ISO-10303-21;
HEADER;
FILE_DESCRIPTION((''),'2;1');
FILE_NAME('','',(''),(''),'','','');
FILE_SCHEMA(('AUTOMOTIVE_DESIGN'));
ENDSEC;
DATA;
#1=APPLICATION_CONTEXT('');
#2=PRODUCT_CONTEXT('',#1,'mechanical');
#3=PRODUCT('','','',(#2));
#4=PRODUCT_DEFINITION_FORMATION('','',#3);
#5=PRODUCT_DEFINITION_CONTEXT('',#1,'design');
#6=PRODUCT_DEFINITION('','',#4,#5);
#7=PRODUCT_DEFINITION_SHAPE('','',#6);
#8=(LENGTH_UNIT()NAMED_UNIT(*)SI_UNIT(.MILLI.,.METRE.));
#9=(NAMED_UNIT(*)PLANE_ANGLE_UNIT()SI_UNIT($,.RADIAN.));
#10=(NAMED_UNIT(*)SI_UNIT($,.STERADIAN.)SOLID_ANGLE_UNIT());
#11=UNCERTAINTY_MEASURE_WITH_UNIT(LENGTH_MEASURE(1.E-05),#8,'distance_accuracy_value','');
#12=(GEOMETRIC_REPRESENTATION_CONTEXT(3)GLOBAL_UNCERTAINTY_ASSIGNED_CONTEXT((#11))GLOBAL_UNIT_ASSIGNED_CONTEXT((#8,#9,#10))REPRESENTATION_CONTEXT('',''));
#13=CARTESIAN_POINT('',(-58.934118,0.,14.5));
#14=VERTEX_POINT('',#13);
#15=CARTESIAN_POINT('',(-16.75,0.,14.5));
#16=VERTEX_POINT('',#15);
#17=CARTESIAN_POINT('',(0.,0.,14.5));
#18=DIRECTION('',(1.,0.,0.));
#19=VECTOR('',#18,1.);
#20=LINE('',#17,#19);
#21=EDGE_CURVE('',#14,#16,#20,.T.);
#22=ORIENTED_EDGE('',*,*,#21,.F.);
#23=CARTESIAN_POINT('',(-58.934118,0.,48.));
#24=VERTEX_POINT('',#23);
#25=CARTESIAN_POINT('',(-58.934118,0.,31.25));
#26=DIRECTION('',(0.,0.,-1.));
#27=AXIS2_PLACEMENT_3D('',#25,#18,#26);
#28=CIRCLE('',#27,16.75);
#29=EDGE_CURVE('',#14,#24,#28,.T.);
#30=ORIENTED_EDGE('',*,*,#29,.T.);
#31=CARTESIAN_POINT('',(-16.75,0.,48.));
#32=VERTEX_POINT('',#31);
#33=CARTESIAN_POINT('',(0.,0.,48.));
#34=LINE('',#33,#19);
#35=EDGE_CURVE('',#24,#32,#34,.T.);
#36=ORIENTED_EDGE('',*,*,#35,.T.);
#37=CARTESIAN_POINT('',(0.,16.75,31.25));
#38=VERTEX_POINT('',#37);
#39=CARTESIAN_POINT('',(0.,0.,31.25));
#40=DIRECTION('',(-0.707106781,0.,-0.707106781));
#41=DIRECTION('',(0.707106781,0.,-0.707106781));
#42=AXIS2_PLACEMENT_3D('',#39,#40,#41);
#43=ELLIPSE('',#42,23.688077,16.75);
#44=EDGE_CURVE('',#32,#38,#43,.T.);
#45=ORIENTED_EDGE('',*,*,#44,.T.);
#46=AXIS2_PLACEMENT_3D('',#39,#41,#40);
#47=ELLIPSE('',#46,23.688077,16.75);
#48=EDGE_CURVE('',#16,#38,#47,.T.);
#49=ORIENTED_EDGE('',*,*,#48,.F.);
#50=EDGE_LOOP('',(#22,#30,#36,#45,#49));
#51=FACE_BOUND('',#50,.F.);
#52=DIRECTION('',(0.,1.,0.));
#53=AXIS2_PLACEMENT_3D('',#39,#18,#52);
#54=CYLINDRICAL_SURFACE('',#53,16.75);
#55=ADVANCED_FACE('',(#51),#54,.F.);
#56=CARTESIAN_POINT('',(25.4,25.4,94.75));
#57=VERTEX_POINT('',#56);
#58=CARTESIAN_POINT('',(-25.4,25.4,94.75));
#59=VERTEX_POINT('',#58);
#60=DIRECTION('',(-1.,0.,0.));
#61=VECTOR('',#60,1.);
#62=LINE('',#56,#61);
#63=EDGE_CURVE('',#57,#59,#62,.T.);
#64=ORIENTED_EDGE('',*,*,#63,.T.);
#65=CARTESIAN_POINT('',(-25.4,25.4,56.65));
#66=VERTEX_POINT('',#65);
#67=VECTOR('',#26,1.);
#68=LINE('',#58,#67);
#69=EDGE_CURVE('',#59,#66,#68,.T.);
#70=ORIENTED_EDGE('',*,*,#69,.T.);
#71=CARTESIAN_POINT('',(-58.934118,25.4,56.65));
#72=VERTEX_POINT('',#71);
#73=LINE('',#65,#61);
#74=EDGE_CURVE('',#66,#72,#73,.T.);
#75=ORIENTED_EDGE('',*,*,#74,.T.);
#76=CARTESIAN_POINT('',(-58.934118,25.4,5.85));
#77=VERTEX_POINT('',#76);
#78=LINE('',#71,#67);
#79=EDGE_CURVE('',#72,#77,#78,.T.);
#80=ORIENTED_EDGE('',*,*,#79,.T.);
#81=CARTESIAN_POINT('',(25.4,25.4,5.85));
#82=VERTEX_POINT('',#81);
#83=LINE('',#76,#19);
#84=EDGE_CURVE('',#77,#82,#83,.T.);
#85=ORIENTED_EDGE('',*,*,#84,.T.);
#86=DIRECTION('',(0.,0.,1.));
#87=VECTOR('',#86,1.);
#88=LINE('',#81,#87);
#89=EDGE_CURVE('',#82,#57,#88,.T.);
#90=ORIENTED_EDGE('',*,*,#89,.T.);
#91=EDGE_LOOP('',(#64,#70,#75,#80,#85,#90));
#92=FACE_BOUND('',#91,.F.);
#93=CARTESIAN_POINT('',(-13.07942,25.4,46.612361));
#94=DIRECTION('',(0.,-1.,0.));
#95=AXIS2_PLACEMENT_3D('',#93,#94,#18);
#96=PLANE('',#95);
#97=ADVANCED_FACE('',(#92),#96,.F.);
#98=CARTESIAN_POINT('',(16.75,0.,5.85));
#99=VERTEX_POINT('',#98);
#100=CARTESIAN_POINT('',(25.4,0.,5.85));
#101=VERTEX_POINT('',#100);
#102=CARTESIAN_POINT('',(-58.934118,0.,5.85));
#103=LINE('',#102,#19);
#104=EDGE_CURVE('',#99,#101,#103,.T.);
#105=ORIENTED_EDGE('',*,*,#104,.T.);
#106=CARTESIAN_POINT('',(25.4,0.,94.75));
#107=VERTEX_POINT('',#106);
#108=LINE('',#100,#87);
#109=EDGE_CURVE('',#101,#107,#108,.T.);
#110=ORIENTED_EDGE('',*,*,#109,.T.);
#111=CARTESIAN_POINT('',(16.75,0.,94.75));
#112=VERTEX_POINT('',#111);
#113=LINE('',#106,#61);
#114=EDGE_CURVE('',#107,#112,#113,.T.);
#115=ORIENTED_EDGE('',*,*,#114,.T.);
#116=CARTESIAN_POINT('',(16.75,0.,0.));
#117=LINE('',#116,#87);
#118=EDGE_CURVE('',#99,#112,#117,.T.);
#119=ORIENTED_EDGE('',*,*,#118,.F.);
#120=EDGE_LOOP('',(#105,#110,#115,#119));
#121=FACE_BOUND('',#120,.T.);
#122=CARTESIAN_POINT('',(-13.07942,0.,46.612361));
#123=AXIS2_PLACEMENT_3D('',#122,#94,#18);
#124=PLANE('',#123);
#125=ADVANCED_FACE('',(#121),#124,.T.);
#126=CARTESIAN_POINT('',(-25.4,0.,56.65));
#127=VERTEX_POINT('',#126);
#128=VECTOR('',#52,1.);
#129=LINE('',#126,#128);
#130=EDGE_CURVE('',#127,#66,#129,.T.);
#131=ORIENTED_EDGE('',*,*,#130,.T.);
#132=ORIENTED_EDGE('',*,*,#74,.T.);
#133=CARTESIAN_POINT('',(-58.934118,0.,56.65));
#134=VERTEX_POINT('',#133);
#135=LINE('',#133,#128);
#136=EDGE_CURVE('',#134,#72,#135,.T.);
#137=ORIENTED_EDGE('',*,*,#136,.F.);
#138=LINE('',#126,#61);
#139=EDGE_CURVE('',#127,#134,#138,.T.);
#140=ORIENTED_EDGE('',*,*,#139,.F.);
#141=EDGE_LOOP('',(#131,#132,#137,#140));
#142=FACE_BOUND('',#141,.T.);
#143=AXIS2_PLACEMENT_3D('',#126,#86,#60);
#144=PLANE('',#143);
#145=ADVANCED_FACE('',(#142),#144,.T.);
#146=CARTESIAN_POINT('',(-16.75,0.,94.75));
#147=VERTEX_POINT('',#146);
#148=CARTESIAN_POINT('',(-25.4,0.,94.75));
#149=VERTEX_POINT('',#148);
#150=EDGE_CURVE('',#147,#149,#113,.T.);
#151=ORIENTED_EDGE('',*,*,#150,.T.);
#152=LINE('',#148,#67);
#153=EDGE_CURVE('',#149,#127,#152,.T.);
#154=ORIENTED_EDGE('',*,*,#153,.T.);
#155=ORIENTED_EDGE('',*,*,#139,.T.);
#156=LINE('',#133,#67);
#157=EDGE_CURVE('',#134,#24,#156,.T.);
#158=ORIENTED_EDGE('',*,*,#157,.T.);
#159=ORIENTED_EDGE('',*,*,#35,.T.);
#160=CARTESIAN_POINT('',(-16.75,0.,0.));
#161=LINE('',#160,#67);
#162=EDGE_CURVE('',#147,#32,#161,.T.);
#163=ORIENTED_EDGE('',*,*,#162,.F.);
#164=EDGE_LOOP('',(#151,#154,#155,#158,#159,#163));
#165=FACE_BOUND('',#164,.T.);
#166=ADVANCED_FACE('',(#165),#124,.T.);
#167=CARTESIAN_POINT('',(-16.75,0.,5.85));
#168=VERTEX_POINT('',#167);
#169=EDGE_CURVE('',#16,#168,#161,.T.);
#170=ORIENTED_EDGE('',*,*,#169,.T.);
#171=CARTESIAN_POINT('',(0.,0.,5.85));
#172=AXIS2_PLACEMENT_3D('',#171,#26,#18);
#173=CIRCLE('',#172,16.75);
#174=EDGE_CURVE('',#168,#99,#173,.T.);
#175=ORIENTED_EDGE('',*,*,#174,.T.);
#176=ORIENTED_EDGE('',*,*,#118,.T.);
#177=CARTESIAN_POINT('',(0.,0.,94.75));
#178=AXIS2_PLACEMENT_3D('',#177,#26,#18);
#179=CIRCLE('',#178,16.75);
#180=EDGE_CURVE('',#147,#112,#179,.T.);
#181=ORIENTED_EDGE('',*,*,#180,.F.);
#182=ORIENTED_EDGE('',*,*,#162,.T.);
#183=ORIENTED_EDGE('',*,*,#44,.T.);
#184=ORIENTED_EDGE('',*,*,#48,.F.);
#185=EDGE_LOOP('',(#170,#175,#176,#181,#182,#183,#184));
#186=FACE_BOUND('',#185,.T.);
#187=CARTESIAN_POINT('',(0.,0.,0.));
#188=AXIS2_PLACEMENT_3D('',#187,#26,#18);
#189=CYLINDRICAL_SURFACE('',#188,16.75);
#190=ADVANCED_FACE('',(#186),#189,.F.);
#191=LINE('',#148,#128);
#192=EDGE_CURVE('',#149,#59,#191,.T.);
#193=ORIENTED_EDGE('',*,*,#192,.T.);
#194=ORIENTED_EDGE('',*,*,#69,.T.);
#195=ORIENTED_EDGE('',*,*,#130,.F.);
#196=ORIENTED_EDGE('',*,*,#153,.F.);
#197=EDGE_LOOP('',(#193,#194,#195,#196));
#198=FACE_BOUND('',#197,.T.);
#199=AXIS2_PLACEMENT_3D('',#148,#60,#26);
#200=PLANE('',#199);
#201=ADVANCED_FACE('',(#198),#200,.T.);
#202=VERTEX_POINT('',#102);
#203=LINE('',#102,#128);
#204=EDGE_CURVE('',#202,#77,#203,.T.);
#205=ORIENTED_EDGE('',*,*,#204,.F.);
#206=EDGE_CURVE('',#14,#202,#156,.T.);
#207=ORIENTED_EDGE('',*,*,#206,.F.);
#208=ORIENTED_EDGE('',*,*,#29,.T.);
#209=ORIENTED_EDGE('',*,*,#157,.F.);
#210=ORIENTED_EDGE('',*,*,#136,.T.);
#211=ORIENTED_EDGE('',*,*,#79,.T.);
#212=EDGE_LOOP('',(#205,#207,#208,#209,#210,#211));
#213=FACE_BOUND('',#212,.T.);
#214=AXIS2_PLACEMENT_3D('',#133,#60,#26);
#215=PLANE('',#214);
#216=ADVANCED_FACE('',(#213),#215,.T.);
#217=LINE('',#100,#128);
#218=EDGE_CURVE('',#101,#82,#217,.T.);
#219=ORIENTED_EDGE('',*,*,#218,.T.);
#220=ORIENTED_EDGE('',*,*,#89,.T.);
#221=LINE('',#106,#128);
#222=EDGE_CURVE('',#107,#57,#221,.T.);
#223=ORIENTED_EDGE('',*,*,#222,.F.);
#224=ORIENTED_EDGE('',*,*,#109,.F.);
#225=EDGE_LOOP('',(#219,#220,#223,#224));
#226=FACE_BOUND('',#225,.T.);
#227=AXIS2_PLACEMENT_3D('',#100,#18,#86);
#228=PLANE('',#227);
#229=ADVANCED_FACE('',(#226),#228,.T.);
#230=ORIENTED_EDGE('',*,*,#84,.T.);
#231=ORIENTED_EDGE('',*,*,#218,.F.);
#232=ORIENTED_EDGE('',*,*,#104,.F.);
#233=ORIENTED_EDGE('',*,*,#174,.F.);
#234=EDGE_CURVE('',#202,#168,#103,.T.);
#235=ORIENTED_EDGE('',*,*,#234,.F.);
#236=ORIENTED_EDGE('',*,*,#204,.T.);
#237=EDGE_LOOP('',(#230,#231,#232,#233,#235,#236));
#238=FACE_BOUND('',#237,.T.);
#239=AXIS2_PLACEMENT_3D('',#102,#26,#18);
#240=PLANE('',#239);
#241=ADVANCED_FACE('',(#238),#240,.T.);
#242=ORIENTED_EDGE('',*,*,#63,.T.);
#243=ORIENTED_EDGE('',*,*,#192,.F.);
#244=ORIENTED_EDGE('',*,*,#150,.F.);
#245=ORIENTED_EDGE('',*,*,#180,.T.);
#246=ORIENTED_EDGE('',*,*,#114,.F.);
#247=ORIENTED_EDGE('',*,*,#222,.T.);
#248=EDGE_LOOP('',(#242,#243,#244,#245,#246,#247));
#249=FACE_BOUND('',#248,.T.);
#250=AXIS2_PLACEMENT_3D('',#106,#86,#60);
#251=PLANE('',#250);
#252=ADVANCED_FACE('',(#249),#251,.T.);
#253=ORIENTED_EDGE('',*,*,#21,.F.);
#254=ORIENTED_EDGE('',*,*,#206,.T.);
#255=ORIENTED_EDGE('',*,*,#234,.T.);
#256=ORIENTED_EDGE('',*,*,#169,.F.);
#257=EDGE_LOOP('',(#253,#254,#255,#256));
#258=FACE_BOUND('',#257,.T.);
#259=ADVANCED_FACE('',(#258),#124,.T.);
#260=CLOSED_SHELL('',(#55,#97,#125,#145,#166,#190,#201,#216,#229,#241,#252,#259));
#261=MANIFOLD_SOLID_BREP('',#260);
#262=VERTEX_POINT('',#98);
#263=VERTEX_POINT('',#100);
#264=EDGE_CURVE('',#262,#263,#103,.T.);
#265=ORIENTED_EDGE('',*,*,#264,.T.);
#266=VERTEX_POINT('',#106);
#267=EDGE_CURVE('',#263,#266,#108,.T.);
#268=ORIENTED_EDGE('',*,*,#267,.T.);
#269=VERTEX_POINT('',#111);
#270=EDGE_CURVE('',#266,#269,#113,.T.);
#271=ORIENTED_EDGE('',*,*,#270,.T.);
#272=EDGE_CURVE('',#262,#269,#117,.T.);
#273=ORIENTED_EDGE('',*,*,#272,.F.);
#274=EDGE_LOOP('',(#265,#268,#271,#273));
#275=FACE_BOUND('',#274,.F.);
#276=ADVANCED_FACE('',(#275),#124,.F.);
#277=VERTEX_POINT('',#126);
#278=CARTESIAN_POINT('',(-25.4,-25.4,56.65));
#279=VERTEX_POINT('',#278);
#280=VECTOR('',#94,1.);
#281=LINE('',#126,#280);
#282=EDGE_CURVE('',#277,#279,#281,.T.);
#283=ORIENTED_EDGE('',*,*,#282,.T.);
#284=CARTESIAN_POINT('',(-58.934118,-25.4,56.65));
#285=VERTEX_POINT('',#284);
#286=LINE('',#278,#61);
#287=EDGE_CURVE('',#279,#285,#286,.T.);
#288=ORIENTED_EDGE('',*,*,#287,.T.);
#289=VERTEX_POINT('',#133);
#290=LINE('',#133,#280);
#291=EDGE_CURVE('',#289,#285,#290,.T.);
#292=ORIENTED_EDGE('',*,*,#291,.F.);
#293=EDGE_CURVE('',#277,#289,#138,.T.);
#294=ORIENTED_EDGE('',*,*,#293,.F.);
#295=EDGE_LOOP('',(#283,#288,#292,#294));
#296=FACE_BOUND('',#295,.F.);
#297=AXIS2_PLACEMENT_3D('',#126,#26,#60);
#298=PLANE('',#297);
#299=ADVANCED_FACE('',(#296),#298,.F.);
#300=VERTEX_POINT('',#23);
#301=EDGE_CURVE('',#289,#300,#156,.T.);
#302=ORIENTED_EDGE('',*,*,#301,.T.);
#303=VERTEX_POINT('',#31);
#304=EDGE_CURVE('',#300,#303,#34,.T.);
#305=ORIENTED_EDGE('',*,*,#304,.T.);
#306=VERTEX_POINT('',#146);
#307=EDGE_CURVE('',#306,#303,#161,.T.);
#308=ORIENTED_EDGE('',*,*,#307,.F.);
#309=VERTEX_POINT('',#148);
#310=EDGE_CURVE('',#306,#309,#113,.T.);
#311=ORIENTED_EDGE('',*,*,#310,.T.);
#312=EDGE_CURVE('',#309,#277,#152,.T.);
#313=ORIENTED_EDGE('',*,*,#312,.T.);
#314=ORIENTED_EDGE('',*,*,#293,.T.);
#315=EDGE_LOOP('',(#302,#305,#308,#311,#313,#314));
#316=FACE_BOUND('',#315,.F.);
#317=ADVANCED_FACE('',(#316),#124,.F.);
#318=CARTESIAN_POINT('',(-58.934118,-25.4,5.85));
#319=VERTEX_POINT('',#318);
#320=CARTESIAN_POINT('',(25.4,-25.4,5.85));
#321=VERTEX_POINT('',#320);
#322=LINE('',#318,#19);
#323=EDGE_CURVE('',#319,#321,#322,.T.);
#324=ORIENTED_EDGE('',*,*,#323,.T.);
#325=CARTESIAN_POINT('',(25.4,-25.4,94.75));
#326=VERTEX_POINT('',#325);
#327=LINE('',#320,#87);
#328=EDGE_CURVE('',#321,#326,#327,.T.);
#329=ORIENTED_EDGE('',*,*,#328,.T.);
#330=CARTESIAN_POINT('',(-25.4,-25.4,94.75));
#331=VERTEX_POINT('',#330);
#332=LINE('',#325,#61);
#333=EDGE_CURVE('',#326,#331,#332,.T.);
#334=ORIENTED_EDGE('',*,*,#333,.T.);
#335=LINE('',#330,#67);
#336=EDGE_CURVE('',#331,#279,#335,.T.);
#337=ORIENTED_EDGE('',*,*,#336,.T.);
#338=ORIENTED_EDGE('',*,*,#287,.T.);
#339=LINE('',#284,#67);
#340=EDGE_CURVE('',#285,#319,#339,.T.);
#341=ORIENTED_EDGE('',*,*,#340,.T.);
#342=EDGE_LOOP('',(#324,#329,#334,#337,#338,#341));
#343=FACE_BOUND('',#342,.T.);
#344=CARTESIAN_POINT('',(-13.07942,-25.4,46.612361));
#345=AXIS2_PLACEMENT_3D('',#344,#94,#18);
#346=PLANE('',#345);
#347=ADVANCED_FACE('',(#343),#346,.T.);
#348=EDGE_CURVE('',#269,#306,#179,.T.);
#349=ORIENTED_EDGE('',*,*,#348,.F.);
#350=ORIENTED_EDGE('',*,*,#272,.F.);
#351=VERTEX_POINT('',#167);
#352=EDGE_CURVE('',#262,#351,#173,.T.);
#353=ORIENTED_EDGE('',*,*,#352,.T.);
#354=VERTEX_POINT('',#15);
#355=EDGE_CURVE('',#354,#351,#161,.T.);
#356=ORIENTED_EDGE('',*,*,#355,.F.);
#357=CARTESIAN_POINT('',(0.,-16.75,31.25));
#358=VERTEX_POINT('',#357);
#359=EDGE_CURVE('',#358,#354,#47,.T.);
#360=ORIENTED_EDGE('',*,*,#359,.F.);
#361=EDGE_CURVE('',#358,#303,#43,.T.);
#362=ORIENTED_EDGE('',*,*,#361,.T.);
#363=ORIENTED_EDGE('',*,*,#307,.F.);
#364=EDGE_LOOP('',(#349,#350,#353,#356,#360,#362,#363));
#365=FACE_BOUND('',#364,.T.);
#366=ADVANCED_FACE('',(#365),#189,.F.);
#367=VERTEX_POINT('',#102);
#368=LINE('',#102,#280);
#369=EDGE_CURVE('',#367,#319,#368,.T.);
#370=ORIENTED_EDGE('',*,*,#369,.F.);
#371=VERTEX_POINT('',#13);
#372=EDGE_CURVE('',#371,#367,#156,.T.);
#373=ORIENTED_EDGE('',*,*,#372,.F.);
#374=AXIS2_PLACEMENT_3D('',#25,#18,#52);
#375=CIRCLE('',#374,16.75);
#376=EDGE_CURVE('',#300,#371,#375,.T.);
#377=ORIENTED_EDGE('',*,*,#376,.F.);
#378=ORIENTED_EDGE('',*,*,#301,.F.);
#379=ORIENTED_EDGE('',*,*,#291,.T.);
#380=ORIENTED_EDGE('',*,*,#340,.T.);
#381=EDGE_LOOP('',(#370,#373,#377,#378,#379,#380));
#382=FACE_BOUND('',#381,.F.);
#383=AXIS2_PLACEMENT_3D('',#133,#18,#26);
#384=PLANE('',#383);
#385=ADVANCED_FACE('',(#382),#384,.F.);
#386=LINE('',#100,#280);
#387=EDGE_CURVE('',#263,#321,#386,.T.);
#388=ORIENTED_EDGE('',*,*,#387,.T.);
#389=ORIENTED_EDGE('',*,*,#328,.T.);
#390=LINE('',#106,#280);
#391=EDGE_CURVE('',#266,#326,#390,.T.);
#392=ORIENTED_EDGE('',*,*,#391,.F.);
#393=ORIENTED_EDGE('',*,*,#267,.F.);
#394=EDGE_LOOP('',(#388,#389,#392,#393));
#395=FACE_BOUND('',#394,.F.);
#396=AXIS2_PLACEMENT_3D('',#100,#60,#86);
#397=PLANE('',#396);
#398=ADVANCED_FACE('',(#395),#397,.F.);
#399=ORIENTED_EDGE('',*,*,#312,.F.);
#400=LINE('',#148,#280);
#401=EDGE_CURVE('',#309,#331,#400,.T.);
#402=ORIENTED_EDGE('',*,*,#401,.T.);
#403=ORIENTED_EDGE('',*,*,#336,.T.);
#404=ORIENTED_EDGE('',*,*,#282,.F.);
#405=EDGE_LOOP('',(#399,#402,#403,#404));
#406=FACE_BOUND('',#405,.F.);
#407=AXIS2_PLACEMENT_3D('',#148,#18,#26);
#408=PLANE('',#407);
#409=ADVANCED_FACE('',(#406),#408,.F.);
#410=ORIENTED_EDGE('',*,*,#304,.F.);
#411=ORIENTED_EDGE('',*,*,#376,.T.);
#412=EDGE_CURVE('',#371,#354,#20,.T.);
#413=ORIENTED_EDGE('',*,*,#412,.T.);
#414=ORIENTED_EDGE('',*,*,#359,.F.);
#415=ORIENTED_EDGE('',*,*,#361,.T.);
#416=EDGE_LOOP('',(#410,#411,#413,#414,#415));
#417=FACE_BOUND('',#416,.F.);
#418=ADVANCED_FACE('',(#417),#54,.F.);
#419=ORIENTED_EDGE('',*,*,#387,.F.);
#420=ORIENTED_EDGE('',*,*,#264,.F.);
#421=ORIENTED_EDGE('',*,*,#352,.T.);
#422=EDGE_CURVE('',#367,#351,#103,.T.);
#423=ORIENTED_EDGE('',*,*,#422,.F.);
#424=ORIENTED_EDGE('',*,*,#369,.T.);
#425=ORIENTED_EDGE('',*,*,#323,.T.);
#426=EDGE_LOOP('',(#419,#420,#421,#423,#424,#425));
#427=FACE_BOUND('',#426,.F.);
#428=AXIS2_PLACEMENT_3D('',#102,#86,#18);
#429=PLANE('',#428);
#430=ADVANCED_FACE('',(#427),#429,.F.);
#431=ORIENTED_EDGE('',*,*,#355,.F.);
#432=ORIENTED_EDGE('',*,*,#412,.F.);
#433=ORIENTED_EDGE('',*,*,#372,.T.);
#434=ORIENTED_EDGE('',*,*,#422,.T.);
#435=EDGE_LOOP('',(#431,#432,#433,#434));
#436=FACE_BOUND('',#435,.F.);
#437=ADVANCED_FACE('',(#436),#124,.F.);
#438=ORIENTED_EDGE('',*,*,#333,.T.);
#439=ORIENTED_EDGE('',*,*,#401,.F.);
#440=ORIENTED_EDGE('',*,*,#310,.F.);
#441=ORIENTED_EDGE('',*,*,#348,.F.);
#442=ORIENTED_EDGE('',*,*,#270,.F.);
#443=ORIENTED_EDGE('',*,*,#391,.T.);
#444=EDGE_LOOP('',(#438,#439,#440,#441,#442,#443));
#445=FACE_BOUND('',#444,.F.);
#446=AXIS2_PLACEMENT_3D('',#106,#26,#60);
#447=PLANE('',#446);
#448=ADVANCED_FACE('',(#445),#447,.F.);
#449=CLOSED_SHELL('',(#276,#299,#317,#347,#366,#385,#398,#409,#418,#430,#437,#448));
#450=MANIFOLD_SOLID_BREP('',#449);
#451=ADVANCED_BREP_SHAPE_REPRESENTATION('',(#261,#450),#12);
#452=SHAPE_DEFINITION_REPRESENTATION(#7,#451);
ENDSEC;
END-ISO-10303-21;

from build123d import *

# Parameters (mm, degrees)
F3_DEPTH = 25.4
F4_DEPTH = 25.4
F0_R     = 16.75
F5_DEPTH = 152.4
F1_R     = 16.75
F6_DEPTH = 157.48


with BuildPart() as f3:
    # F2 (on Front) → F3 (new body)
    with BuildSketch(Plane.XZ):
        Polygon((-25.4, 56.65), (-58.934118, 56.65), (-58.934118, 5.85), (25.4, 5.85), (25.4, 94.75), (-25.4, 94.75), align=None)
    extrude(amount=F3_DEPTH)


with BuildPart() as f4:
    # F2 (on Front) → F4 (new body)
    with BuildSketch(Plane.XZ):
        Polygon((-25.4, 56.65), (-58.934118, 56.65), (-58.934118, 5.85), (25.4, 5.85), (25.4, 94.75), (-25.4, 94.75), align=None)
    extrude(amount=-F4_DEPTH)


with BuildPart() as f5_tool:
    # F0 (on Top) → F5 (new body)
    with BuildSketch(Plane.XY):
        Circle(F0_R)
    extrude(amount=F5_DEPTH)


with BuildPart() as f3_1:
    add(f3.part)

    # F5: cut by f5_tool
    add(f5_tool.part, mode=Mode.SUBTRACT)


with BuildPart() as f4_1:
    add(f4.part)

    # F5: cut by f5_tool
    add(f5_tool.part, mode=Mode.SUBTRACT)


with BuildPart() as f6_tool:
    # F1 (on Right) → F6 (new body)
    with BuildSketch(Plane.YZ):
        with Locations((0, 31.25)):
            Circle(F1_R)
    extrude(amount=-F6_DEPTH)


with BuildPart() as f3_2:
    add(f3_1.part)

    # F6: cut by f6_tool
    add(f6_tool.part, mode=Mode.SUBTRACT)


with BuildPart() as f4_2:
    add(f4_1.part)

    # F6: cut by f6_tool
    add(f6_tool.part, mode=Mode.SUBTRACT)


solid = Compound([f3_2.part, f4_2.part])
